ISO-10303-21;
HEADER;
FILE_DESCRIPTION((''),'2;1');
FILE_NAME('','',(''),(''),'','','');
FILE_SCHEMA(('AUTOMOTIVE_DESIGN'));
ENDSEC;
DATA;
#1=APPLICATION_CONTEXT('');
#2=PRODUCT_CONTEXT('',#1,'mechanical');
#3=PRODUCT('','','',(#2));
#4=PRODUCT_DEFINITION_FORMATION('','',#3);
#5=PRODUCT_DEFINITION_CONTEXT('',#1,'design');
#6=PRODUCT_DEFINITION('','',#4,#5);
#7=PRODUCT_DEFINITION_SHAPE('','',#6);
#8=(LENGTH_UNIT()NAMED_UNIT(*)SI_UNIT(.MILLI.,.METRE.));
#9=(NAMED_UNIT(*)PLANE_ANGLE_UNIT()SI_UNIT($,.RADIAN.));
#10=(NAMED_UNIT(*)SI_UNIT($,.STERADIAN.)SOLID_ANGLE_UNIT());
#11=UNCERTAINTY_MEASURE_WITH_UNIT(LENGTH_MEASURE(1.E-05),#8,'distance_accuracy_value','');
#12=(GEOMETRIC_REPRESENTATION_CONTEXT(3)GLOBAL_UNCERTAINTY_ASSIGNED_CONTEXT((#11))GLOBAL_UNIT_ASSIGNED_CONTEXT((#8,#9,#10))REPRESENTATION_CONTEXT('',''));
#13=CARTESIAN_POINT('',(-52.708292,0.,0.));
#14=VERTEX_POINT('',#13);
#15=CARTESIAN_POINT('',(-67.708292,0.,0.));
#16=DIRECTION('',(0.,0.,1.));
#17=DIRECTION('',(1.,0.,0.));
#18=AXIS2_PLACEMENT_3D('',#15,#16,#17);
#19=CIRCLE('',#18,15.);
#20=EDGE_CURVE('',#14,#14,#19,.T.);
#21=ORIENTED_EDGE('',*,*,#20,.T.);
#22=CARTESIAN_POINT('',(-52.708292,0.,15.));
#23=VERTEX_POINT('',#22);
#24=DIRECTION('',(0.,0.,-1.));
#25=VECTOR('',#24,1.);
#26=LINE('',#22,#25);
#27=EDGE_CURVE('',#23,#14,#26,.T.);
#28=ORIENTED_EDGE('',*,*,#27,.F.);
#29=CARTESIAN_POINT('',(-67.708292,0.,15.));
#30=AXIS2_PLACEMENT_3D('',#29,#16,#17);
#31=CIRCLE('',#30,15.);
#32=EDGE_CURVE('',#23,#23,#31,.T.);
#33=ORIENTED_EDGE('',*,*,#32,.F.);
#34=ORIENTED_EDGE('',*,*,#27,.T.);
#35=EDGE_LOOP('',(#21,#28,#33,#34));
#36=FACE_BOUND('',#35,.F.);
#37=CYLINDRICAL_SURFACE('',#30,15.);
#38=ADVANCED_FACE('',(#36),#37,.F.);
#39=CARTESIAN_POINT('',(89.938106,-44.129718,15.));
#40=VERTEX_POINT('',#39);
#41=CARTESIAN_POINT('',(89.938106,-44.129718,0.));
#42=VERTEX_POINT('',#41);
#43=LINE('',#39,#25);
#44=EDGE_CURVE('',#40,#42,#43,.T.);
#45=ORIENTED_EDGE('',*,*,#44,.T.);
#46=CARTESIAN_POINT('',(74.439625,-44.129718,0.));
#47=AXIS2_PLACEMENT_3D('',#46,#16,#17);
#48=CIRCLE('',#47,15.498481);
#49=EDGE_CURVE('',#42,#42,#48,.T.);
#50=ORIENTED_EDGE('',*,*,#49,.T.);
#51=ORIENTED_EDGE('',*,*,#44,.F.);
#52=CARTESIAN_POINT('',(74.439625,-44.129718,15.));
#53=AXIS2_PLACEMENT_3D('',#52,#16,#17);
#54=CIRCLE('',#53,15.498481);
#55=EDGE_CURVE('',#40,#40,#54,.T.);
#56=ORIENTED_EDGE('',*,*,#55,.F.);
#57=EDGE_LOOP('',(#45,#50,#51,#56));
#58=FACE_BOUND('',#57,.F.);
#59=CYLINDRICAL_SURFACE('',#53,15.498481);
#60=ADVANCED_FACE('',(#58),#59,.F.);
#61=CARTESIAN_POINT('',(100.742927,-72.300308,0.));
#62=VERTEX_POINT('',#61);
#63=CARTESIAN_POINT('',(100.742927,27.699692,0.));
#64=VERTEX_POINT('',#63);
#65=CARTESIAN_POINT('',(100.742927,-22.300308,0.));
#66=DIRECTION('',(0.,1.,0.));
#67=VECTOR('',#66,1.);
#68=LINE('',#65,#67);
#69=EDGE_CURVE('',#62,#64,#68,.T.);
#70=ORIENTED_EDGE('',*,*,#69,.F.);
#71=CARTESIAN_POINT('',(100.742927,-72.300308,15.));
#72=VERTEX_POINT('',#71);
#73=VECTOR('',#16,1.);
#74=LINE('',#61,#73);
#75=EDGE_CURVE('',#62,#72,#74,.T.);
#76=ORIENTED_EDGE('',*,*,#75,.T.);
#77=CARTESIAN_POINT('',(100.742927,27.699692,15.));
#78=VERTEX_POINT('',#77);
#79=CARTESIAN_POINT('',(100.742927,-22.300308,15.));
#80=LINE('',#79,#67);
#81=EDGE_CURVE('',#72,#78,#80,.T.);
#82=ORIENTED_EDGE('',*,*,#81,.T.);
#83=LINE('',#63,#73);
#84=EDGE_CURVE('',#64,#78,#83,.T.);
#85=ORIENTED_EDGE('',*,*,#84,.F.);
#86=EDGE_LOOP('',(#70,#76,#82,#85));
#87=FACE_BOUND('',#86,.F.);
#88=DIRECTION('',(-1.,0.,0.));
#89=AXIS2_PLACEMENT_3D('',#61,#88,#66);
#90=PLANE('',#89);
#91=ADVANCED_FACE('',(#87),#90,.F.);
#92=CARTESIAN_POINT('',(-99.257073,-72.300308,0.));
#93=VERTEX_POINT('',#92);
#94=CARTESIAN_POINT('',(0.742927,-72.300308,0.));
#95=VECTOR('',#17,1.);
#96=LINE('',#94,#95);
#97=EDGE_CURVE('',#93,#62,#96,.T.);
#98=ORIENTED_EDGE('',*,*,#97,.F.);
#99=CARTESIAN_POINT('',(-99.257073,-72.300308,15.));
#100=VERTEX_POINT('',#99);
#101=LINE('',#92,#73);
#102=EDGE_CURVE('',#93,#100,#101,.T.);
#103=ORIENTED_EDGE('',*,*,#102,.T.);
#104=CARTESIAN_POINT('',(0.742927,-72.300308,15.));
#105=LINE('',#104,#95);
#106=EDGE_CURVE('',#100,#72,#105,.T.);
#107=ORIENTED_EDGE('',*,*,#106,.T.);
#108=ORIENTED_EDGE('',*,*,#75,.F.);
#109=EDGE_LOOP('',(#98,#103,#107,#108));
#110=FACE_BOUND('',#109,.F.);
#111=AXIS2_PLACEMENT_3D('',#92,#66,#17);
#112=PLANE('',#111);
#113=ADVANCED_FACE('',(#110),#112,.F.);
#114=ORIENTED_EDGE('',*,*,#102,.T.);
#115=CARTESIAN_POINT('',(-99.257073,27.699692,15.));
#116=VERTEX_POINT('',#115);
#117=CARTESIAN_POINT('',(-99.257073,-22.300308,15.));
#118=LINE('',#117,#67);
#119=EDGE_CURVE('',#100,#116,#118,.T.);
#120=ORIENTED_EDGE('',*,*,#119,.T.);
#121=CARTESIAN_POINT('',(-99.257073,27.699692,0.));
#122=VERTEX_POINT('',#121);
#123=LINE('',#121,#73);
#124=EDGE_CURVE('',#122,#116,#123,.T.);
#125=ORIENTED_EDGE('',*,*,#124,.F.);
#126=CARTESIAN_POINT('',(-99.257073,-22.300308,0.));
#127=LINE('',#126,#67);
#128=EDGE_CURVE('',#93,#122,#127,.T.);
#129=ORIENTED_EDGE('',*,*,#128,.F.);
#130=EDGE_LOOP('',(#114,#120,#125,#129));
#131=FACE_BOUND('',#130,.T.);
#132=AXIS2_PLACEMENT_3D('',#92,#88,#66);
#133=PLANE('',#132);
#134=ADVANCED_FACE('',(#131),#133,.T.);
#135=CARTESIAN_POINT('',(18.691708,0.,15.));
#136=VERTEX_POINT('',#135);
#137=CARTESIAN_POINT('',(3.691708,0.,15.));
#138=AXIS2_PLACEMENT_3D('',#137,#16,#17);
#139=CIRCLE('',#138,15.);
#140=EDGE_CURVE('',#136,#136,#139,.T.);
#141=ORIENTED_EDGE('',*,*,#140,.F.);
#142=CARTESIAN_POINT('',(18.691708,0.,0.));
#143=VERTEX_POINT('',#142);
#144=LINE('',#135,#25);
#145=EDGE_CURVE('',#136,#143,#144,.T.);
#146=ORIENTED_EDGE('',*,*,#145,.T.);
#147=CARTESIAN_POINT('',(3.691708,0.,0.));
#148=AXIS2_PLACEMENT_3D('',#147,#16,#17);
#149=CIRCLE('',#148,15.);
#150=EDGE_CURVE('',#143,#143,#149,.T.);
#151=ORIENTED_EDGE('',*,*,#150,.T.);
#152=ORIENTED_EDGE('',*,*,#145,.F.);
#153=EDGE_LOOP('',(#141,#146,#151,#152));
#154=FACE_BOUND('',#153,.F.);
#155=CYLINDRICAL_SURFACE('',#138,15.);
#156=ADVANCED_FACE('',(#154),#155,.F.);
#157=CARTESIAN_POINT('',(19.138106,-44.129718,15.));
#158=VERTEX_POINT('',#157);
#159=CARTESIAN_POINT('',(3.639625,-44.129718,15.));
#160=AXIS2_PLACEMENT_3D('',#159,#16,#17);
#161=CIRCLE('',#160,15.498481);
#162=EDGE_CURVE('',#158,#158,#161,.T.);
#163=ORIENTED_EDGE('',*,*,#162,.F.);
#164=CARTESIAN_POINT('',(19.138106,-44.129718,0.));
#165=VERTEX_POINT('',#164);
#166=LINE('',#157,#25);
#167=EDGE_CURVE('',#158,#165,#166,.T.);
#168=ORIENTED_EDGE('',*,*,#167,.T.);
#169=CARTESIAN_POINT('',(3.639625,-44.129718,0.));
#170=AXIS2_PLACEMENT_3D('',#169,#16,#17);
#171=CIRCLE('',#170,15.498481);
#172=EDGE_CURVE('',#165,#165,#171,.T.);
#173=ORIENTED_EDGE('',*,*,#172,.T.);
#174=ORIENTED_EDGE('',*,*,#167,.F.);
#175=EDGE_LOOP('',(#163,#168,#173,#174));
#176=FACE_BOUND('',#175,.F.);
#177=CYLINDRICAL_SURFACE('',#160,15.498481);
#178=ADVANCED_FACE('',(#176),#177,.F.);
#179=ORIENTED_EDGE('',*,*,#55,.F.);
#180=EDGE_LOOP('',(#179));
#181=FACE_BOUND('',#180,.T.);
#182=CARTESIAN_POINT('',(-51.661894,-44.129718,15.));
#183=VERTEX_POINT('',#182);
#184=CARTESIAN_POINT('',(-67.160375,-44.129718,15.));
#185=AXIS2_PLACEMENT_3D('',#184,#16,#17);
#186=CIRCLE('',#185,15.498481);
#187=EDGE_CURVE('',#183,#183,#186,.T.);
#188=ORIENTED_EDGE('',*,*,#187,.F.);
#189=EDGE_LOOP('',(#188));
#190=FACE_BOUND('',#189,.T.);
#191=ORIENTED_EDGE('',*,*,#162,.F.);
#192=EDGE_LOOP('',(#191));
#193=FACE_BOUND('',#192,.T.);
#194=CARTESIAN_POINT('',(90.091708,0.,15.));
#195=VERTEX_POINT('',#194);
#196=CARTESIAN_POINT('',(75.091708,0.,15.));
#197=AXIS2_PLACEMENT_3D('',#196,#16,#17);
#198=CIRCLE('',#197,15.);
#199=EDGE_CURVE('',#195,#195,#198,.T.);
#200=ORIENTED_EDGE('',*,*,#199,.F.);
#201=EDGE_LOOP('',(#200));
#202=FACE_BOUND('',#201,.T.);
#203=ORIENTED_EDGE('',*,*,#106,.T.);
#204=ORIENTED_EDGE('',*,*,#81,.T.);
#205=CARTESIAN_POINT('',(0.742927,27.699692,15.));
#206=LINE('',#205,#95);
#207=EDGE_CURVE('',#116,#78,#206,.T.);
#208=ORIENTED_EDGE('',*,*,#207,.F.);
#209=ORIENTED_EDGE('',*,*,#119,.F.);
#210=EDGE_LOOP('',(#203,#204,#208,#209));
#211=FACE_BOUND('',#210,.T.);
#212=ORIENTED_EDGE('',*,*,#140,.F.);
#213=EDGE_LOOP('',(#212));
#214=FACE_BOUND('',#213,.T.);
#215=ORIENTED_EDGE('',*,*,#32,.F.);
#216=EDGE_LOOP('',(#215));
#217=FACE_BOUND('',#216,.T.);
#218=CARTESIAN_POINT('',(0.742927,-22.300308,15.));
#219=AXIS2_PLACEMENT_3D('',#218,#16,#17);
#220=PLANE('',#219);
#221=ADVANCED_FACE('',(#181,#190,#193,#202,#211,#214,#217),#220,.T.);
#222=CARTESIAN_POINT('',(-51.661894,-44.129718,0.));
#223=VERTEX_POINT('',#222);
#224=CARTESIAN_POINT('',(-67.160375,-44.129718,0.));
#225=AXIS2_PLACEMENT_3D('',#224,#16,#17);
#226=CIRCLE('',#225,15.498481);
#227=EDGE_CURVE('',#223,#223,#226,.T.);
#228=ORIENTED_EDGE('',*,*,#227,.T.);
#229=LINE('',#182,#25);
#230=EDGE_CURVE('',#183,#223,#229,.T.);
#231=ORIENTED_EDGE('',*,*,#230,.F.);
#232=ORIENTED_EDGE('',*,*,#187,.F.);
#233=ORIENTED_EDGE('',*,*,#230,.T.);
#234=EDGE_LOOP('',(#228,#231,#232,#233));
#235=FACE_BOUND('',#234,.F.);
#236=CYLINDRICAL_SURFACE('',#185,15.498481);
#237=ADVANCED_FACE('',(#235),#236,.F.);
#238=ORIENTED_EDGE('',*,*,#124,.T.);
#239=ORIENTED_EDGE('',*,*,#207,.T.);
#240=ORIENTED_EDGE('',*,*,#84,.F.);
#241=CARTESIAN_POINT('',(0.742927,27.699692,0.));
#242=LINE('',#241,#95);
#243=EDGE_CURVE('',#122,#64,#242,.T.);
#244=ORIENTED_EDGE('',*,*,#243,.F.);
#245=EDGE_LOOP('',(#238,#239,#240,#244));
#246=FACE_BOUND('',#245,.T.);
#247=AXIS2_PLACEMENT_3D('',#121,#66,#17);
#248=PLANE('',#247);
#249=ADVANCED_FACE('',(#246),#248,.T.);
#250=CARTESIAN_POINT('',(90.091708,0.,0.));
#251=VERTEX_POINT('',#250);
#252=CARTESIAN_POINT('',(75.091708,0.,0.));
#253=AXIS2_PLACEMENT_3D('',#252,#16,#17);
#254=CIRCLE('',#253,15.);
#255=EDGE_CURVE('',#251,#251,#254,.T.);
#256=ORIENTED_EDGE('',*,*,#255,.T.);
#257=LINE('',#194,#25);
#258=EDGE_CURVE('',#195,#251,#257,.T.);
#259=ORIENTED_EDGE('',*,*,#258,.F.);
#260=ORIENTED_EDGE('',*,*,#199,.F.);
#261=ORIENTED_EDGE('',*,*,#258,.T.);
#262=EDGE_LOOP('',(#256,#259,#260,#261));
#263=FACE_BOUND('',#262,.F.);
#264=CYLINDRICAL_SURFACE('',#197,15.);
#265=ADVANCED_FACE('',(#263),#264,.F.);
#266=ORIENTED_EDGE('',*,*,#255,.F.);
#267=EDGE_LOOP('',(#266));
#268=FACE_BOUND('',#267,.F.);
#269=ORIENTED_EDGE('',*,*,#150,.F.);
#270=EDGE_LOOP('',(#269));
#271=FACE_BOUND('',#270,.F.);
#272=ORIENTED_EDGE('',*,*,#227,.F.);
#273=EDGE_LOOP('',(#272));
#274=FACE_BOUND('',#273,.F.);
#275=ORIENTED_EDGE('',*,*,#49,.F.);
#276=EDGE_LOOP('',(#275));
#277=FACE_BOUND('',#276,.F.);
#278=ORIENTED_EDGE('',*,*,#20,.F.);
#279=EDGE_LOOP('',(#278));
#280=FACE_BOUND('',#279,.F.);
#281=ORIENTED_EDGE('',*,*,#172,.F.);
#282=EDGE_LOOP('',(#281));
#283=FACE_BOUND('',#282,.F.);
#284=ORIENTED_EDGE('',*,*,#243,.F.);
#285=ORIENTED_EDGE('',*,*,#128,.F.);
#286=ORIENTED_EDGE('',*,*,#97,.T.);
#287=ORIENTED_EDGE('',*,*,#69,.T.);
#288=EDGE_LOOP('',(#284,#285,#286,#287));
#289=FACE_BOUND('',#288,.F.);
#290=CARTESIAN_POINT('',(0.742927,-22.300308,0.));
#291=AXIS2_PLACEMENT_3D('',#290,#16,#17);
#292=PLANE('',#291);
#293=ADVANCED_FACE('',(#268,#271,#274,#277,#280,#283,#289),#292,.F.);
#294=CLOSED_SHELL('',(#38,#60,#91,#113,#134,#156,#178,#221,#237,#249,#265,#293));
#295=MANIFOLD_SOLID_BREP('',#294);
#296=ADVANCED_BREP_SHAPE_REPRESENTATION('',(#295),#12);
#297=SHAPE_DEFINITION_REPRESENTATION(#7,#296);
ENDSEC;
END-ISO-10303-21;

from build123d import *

# Parameters (mm, degrees)
F0_W     = 200
F0_H     = 100
F1_DEPTH = 15
F2_R     = 15
F3_DEPTH = 15.001
F4_R     = 15.498481
F5_DEPTH = 15.001
F6_DEPTH = 15.001


with BuildPart() as f1:
    # F0 (on Top) → F1 (new body)
    with BuildSketch(Plane.XY):
        with Locations((0.742927, -22.300308)):
            Rectangle(F0_W, F0_H)
    extrude(amount=F1_DEPTH)

    # F2 (on face) → F3 (cut, through all)
    with BuildSketch(Plane.XY.offset(15)):
        with Locations((-67.708292, 0)):
            Circle(F2_R)
        with Locations((3.691708, 0)):
            Circle(F2_R)
        with Locations((75.091708, 0)):
            Circle(F2_R)
    extrude(amount=-F3_DEPTH, mode=Mode.SUBTRACT)

    # F4 (on face) → F5 (cut, through all)
    with BuildSketch(Plane.XY.offset(15)):
        with Locations((-67.160375, -44.129718)):
            Circle(F4_R)
    extrude(amount=-F5_DEPTH, mode=Mode.SUBTRACT)

    # F4 (on face) → F6 (cut, through all)
    with BuildSketch(Plane.XY.offset(15)):
        with Locations((-67.160375, -44.129718)):
            Circle(F4_R)
        with Locations((3.639625, -44.129718)):
            Circle(F4_R)
        with Locations((74.439625, -44.129718)):
            Circle(F4_R)
    extrude(amount=-F6_DEPTH, mode=Mode.SUBTRACT)


solid = f1.part
